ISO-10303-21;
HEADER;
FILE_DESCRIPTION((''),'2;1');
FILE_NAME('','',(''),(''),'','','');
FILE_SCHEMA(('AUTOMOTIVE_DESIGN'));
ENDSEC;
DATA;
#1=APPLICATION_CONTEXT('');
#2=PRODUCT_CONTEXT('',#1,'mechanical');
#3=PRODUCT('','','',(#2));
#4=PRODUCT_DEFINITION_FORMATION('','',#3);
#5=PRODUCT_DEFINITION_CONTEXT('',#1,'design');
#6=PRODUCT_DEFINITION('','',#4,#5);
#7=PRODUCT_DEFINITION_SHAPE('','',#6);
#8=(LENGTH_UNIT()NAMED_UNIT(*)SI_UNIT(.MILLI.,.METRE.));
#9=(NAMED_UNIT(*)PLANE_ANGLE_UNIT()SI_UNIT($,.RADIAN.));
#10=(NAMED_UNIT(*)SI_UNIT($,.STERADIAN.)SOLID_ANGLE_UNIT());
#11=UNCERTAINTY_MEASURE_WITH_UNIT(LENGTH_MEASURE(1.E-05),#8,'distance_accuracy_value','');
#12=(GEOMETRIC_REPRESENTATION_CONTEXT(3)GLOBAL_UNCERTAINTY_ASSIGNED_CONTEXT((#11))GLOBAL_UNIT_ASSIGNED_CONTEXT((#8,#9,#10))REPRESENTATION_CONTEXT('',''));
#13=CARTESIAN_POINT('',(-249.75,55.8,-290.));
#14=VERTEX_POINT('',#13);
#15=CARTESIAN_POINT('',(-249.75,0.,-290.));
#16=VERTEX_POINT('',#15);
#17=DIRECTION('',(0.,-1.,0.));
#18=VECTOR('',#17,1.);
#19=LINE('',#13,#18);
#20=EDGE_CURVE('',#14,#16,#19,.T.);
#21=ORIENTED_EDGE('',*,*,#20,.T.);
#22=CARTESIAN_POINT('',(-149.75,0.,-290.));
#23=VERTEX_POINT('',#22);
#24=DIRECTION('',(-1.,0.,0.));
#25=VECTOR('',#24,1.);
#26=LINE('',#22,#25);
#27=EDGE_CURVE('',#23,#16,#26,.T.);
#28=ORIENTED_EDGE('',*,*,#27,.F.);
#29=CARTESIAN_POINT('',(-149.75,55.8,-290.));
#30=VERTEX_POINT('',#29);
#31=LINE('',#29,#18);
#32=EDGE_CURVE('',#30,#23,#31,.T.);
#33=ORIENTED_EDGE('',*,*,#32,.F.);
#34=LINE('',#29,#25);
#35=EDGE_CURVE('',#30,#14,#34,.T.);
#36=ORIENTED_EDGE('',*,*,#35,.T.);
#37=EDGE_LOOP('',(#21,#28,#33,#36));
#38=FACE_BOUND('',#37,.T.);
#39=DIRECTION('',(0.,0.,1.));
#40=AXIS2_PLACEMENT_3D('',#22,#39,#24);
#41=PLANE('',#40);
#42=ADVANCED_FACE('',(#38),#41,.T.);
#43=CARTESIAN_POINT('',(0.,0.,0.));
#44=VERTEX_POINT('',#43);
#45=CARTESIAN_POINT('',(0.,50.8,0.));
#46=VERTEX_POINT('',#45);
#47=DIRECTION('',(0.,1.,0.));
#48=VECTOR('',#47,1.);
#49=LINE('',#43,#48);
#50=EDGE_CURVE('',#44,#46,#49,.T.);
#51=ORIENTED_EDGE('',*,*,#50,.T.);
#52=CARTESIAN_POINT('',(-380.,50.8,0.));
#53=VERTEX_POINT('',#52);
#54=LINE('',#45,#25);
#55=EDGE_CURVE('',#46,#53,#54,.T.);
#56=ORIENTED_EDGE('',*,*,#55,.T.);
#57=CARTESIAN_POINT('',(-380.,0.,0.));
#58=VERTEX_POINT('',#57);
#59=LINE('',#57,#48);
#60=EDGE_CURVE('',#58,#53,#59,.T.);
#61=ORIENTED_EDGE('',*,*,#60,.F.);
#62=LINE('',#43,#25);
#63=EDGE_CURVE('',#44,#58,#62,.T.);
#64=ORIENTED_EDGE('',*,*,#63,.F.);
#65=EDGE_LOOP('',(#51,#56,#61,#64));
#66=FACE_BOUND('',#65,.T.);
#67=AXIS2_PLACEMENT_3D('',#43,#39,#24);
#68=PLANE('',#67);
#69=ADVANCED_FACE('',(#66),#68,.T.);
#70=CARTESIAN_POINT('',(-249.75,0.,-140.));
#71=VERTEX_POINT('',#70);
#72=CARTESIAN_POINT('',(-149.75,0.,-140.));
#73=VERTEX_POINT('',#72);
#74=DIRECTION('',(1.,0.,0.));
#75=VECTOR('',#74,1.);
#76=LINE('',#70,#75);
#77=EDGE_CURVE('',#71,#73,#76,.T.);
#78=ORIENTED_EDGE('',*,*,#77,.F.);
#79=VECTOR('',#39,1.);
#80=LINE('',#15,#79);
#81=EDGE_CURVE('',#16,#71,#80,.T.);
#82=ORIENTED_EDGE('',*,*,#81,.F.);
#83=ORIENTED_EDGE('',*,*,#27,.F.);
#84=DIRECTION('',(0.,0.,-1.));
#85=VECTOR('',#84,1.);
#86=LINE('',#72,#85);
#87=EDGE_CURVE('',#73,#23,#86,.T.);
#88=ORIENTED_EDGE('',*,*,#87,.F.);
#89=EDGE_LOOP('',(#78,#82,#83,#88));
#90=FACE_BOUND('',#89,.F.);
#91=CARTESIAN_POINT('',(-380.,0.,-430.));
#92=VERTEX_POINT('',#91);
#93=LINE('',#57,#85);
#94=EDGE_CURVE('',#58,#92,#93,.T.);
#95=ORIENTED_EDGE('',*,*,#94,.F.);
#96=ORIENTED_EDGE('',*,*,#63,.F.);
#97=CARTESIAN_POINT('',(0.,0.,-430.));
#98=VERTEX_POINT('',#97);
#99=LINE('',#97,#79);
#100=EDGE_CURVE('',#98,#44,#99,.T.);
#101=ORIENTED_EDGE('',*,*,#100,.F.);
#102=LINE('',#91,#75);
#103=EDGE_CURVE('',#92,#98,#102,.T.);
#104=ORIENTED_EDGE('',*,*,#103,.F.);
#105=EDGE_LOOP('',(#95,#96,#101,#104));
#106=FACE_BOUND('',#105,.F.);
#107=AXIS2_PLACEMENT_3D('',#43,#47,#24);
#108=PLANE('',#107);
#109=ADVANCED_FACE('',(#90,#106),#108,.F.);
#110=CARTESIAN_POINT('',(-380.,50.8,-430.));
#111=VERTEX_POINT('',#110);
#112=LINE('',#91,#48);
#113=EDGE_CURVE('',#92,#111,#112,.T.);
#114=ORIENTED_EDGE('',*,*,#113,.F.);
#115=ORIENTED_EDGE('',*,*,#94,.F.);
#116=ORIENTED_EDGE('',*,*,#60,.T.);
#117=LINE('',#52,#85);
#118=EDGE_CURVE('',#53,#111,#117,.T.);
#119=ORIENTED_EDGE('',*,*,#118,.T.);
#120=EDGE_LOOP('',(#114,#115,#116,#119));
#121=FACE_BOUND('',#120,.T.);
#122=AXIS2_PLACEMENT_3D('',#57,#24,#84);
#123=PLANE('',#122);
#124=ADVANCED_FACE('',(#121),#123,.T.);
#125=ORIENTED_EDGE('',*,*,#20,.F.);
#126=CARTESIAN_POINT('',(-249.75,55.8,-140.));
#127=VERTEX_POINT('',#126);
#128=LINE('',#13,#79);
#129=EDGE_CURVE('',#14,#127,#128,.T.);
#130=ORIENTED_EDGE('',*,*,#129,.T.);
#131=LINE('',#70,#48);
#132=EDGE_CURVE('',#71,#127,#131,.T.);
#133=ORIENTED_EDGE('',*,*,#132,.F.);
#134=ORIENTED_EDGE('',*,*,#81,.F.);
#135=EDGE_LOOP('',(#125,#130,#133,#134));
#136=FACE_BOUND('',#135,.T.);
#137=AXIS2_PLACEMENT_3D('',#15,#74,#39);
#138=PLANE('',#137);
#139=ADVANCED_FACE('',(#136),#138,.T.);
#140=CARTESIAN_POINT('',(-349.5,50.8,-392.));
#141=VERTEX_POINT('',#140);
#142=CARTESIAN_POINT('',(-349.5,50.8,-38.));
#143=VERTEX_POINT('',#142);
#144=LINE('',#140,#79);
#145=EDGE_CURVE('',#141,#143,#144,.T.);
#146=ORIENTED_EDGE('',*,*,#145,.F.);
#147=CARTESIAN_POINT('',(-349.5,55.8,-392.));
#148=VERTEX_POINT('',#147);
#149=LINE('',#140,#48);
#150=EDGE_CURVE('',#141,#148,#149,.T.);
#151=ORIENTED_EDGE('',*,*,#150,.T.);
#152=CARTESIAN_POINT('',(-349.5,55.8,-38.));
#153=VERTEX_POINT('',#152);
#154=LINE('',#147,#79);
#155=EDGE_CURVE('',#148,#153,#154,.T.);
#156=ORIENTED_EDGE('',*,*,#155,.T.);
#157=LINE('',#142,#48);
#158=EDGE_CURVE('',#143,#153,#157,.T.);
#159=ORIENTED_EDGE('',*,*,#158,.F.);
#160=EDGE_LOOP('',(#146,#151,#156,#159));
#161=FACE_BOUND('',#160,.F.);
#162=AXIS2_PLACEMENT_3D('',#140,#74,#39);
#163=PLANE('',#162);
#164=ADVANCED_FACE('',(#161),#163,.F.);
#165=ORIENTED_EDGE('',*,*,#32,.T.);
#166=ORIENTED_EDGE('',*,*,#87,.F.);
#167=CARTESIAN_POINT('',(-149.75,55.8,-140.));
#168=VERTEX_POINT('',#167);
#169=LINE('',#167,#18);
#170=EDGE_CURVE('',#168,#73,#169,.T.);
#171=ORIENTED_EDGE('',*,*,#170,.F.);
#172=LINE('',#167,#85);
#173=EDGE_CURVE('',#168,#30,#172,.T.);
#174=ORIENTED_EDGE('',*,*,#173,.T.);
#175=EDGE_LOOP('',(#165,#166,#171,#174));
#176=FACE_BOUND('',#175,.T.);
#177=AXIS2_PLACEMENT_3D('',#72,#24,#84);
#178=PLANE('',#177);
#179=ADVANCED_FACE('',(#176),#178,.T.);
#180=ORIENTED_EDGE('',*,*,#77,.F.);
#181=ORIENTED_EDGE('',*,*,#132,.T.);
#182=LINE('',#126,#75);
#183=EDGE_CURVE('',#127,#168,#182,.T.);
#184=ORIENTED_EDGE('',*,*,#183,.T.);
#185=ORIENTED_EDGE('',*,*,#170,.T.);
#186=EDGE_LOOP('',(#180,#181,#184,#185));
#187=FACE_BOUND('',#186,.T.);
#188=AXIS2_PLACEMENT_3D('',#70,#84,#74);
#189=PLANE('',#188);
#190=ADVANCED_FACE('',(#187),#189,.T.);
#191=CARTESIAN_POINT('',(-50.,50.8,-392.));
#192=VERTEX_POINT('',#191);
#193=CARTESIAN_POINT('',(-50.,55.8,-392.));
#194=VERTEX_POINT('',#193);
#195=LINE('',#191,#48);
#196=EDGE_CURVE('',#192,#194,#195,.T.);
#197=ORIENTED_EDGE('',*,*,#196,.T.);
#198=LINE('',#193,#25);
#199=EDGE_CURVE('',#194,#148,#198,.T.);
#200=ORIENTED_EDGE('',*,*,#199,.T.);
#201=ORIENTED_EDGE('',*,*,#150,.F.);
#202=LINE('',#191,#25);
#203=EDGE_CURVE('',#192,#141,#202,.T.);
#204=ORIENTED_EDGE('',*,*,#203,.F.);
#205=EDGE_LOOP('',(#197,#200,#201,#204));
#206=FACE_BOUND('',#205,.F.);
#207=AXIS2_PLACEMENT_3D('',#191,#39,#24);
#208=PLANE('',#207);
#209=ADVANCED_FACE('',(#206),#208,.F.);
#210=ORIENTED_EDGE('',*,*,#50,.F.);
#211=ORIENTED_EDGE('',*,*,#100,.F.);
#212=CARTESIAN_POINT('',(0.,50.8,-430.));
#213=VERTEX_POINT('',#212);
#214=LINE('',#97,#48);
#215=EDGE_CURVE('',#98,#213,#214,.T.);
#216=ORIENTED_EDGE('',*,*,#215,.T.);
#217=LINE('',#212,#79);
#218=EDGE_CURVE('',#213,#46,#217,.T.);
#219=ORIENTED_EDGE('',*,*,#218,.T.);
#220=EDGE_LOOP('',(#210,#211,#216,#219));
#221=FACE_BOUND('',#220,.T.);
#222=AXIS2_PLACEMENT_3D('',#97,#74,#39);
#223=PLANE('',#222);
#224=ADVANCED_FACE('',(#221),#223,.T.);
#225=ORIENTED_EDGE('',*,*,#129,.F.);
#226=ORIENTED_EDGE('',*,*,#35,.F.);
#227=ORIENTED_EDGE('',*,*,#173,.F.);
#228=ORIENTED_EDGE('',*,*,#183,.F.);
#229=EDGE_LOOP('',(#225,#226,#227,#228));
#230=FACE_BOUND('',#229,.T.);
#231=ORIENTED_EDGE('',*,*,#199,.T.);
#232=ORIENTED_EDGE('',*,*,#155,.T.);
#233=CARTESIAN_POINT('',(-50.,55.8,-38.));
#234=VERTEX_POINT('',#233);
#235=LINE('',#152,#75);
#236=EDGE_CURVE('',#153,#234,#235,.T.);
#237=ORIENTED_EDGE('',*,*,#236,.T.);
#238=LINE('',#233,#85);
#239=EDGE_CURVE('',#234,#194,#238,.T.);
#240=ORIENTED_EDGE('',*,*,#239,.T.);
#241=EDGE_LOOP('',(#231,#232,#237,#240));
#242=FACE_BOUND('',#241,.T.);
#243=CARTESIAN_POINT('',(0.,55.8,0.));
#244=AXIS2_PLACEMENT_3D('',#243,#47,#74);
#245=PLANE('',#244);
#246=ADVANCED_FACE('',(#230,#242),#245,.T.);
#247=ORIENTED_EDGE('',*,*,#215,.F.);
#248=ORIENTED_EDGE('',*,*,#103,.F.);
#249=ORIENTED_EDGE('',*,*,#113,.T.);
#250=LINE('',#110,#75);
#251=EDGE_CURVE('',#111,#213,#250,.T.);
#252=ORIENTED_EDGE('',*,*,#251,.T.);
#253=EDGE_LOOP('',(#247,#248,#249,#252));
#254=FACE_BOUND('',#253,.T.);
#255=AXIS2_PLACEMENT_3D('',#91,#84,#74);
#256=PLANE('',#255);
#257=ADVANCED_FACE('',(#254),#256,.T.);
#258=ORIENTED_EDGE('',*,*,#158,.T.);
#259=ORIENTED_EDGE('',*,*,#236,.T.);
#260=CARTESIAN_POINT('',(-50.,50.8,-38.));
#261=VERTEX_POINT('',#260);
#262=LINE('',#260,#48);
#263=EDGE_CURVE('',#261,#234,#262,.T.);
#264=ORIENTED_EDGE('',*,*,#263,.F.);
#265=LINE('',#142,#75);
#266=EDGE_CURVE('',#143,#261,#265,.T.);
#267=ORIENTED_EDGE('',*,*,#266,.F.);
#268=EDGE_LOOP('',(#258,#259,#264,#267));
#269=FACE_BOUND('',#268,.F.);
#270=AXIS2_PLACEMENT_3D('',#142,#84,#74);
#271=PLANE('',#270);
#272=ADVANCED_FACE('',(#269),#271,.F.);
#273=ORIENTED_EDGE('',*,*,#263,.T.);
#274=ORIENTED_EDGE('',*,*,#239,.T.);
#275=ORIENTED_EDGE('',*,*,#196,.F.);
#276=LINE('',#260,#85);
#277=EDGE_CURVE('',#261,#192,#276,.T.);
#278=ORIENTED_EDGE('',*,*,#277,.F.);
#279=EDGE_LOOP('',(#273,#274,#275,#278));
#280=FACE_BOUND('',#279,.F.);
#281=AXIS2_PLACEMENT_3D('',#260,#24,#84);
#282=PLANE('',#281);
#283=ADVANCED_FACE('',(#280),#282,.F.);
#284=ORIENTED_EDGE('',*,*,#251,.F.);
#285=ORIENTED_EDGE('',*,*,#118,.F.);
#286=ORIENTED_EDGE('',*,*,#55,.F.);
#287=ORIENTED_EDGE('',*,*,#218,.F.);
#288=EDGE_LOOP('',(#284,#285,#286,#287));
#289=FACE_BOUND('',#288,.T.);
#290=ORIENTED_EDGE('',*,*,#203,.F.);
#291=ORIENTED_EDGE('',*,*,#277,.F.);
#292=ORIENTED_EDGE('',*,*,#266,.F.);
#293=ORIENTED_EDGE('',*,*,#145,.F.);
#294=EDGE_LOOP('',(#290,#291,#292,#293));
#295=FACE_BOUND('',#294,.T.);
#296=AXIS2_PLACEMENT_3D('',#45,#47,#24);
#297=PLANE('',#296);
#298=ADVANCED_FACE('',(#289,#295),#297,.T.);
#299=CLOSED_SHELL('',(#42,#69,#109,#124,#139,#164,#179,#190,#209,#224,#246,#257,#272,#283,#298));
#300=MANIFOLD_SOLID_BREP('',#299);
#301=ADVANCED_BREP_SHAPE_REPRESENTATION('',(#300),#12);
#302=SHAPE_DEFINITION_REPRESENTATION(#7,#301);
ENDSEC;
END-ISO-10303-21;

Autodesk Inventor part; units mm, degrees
ref_plane "YZ Plane" through (0, 0, 0) normal (1, 0, 0) x (0, 1, 0)
ref_plane "XZ Plane" through (0, 0, 0) normal (0, 1, 0) x (-1, 0, 0)
ref_plane "XY Plane" through (0, 0, 0) normal (0, 0, 1) x (1, 0, 0)
sketch "Sketch1" plane through (0, 0, 0) normal (0, 1, 0) x (-1, 0, 0)
  line L0 (0, 0) -> (380, 0)
  line L1 (380, 0) -> (380, -430)
  line L2 (380, -430) -> (0, -430)
  line L3 (0, -430) -> (0, 0)
  line L4 (249.75, -140) -> (149.75, -140)
  line L5 (149.75, -140) -> (149.75, -290)
  line L6 (149.75, -290) -> (249.75, -290)
  line L7 (249.75, -290) -> (249.75, -140)
  dimension "d0" = 380
  dimension "d1" = 430
  dimension "d2" = 100
  dimension "d3" = 150
  dimension "d4" = 140
  dimension "d5" = 149.75
extrude "Extrusion1" add sketch "Sketch1" along normal blind 50.8
sketch "Sketch5" plane through (0, 50.8, 0) normal (0, 1, 0) x (1, 0, 0)
  line L0 (-349.5, 38) -> (-50, 38)
  line L1 (-50, 38) -> (-50, 392)
  line L2 (-50, 392) -> (-349.5, 392)
  line L3 (-349.5, 392) -> (-349.5, 38)
  line L4 (-380, 0) -> (0, 0) projected
  line L5 (-380, 430) -> (-380, 0) projected
  line L6 (-249.75, 140) -> (-149.75, 140) projected
  line L7 (-149.75, 290) -> (-249.75, 290) projected
  line L8 (-249.75, 140) -> (-149.75, 140)
  line L9 (-149.75, 140) -> (-149.75, 290)
  line L10 (-149.75, 290) -> (-249.75, 290)
  line L11 (-249.75, 290) -> (-249.75, 140)
  dimension "d14" = 299.5
  dimension "d15" = 354
  dimension "d16" = 38
  dimension "d17" = 30.5
extrude "Extrusion2" add sketch "Sketch5" along normal blind 5
properties part number "TapaFrontal"
